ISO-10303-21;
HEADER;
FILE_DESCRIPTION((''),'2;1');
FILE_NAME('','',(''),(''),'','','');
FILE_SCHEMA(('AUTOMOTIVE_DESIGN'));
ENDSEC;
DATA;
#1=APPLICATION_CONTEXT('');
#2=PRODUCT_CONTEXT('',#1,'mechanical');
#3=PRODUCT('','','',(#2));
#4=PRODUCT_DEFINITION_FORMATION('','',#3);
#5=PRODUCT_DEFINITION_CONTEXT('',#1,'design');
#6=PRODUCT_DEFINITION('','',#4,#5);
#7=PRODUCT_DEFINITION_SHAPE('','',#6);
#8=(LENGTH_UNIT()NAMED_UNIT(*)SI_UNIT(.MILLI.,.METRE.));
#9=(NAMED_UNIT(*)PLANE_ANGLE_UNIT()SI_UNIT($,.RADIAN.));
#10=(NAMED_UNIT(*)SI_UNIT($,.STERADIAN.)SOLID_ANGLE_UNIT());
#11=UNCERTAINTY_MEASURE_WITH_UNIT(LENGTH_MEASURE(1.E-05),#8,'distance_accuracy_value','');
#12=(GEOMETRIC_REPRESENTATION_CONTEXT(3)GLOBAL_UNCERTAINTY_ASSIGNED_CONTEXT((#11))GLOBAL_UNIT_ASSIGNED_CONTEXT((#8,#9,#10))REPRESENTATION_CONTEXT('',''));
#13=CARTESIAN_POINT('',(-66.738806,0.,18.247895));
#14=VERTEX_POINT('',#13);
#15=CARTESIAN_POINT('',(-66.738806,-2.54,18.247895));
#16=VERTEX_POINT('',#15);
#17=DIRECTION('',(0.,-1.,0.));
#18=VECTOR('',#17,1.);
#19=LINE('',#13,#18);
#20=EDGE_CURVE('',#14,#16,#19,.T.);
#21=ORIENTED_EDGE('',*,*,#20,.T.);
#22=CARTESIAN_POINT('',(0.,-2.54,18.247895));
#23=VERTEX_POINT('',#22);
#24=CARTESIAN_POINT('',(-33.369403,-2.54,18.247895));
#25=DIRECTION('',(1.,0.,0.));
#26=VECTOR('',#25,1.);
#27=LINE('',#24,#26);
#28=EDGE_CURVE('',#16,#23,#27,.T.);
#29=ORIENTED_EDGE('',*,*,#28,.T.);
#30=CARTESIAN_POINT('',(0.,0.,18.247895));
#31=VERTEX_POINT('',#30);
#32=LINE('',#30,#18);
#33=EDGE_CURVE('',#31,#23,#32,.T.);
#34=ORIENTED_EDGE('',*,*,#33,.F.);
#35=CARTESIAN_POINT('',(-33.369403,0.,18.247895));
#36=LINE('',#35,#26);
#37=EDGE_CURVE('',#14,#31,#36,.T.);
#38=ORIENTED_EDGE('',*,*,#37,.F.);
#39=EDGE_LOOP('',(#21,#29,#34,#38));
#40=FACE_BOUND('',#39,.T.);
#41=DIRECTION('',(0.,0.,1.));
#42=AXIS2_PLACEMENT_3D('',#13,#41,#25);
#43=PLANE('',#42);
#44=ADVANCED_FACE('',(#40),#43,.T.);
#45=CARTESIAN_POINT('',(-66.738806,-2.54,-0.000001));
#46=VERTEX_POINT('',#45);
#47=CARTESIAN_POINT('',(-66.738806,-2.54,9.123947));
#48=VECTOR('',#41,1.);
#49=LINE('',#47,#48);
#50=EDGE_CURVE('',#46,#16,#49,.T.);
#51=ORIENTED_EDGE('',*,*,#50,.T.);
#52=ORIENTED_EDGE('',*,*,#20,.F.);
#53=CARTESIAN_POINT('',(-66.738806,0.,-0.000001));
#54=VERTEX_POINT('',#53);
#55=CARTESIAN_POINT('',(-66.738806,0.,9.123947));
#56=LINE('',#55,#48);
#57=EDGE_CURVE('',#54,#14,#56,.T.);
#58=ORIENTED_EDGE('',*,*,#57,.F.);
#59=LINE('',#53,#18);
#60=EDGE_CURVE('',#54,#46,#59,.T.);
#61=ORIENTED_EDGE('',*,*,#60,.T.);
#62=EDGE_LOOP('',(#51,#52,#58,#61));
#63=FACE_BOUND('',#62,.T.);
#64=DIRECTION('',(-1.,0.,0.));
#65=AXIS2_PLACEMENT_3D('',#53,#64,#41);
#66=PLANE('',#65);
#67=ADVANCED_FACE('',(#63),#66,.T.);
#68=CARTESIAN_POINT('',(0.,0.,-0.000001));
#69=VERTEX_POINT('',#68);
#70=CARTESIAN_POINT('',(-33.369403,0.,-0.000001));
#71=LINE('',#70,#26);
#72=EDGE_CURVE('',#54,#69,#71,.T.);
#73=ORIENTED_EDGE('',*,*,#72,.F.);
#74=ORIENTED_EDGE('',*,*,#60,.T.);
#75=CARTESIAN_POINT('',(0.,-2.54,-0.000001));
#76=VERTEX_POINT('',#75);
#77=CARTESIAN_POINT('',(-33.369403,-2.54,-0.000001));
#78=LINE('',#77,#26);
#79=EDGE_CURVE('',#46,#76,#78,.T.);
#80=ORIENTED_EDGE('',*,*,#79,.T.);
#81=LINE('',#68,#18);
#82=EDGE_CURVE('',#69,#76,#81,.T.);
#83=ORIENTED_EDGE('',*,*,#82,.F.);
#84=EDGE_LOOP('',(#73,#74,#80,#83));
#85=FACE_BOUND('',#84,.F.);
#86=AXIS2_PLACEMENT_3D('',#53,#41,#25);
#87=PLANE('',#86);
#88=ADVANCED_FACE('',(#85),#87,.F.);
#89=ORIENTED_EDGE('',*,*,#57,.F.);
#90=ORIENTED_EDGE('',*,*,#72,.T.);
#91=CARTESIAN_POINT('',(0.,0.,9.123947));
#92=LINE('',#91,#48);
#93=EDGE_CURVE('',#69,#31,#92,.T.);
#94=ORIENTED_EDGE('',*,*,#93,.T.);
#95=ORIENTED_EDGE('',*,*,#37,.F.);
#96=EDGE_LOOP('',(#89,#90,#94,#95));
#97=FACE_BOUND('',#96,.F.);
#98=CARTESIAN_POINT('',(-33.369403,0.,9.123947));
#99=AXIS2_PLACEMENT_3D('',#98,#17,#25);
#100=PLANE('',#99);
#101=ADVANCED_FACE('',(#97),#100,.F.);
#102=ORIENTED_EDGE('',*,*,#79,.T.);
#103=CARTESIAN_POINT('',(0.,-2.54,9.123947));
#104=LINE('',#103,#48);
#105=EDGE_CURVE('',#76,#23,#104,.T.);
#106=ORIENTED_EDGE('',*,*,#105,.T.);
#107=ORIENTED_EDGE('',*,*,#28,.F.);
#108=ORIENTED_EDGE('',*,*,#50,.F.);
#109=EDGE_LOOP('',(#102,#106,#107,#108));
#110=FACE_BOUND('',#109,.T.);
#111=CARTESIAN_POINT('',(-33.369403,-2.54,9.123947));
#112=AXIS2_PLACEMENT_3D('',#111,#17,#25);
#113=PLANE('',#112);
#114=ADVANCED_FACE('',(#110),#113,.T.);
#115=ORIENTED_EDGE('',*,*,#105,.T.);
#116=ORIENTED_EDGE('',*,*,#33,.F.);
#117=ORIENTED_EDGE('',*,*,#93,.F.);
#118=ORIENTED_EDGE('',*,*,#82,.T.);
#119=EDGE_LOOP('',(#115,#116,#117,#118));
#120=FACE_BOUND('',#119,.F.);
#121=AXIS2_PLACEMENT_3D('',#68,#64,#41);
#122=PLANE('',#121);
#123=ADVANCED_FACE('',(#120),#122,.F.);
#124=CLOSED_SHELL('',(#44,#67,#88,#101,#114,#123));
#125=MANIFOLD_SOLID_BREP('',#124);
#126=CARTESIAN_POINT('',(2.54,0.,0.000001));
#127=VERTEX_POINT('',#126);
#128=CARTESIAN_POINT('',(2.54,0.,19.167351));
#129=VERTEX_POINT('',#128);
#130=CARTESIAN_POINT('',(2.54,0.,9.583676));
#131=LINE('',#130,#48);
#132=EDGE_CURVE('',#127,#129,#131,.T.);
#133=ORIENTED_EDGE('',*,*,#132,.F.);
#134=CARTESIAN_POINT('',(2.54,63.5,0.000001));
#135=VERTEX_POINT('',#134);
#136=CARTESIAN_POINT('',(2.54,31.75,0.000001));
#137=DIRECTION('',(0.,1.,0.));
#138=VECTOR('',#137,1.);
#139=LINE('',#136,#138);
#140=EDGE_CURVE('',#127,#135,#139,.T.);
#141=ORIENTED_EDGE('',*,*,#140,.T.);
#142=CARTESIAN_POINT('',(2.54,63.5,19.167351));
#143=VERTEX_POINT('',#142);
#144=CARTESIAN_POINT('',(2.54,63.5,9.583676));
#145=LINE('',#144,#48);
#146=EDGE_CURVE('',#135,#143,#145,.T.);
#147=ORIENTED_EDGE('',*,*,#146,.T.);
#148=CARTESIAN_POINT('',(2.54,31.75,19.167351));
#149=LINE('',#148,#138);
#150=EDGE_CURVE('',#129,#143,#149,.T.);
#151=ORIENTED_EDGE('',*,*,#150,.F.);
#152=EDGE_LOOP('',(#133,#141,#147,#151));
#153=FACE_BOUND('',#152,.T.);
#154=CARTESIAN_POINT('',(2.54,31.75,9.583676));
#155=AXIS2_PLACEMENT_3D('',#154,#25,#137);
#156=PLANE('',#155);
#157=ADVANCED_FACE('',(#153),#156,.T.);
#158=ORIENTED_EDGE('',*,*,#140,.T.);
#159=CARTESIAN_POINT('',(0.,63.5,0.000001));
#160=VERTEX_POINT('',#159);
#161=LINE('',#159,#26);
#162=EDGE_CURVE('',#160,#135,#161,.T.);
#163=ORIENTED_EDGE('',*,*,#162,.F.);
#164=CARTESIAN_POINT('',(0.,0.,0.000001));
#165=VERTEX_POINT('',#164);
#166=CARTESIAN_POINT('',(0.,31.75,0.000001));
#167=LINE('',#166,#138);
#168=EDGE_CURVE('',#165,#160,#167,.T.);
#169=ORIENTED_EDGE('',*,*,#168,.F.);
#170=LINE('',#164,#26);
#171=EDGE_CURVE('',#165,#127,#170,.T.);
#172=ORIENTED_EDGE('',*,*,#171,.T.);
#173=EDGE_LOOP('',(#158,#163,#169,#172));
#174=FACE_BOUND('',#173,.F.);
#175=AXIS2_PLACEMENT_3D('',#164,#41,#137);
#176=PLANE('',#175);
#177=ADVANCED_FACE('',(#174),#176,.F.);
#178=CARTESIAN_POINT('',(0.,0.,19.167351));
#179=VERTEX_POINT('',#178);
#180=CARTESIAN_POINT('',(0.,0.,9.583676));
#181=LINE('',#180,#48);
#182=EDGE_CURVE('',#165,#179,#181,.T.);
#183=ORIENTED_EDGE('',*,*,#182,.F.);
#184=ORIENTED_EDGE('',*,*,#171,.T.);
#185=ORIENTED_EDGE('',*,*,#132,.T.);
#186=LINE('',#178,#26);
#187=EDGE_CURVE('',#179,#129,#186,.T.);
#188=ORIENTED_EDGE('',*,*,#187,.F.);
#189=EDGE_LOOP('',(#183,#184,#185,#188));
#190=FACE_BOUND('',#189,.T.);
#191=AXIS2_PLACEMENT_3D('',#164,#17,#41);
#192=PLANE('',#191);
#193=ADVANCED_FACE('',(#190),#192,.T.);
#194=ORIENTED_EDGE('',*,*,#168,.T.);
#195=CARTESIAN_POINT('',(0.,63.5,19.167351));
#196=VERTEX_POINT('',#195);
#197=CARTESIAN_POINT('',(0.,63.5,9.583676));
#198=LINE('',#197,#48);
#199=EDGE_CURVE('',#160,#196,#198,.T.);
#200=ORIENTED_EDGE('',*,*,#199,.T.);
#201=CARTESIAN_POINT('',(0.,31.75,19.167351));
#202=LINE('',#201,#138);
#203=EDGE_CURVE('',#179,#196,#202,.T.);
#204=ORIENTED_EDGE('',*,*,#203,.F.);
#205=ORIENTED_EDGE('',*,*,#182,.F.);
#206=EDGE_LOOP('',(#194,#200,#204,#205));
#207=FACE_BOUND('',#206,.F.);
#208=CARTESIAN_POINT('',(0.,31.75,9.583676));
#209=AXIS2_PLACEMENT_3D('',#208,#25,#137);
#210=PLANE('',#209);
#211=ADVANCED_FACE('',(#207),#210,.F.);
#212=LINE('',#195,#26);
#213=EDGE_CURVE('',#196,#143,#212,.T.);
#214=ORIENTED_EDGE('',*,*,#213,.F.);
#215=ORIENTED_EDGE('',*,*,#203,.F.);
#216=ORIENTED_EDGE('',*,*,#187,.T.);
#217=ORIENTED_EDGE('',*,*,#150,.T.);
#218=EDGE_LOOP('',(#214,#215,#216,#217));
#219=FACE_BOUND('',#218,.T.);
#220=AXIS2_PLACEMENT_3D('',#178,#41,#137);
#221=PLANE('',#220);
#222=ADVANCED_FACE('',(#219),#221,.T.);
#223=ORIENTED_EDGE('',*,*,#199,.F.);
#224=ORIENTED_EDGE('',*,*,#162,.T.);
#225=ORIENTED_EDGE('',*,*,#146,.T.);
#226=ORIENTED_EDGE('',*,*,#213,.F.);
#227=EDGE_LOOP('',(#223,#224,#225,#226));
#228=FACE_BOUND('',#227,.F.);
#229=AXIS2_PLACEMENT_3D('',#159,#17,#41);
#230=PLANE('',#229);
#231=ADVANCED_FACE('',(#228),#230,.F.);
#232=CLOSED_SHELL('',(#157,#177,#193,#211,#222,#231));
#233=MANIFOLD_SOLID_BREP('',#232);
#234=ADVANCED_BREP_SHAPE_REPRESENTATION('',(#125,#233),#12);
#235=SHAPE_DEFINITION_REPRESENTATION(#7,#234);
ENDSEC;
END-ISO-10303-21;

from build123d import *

# Parameters (mm, degrees)
F1_W     = 63.5
F1_H     = 19.167351
F2_DEPTH = 2.54
F0_W     = 66.738807
F0_H     = 18.247895
F3_DEPTH = 2.54


with BuildPart() as f2:
    # F1 (on Right) → F2 (new body)
    with BuildSketch(Plane.YZ):
        with Locations((31.75, 9.583676)):
            Rectangle(F1_W, F1_H)
    extrude(amount=F2_DEPTH)


with BuildPart() as f3:
    # F0 (on Front) → F3 (new body)
    with BuildSketch(Plane.XZ):
        with Locations((-33.369403, 9.123947)):
            Rectangle(F0_W, F0_H)
    extrude(amount=F3_DEPTH)


solid = Compound([f2.part, f3.part])
